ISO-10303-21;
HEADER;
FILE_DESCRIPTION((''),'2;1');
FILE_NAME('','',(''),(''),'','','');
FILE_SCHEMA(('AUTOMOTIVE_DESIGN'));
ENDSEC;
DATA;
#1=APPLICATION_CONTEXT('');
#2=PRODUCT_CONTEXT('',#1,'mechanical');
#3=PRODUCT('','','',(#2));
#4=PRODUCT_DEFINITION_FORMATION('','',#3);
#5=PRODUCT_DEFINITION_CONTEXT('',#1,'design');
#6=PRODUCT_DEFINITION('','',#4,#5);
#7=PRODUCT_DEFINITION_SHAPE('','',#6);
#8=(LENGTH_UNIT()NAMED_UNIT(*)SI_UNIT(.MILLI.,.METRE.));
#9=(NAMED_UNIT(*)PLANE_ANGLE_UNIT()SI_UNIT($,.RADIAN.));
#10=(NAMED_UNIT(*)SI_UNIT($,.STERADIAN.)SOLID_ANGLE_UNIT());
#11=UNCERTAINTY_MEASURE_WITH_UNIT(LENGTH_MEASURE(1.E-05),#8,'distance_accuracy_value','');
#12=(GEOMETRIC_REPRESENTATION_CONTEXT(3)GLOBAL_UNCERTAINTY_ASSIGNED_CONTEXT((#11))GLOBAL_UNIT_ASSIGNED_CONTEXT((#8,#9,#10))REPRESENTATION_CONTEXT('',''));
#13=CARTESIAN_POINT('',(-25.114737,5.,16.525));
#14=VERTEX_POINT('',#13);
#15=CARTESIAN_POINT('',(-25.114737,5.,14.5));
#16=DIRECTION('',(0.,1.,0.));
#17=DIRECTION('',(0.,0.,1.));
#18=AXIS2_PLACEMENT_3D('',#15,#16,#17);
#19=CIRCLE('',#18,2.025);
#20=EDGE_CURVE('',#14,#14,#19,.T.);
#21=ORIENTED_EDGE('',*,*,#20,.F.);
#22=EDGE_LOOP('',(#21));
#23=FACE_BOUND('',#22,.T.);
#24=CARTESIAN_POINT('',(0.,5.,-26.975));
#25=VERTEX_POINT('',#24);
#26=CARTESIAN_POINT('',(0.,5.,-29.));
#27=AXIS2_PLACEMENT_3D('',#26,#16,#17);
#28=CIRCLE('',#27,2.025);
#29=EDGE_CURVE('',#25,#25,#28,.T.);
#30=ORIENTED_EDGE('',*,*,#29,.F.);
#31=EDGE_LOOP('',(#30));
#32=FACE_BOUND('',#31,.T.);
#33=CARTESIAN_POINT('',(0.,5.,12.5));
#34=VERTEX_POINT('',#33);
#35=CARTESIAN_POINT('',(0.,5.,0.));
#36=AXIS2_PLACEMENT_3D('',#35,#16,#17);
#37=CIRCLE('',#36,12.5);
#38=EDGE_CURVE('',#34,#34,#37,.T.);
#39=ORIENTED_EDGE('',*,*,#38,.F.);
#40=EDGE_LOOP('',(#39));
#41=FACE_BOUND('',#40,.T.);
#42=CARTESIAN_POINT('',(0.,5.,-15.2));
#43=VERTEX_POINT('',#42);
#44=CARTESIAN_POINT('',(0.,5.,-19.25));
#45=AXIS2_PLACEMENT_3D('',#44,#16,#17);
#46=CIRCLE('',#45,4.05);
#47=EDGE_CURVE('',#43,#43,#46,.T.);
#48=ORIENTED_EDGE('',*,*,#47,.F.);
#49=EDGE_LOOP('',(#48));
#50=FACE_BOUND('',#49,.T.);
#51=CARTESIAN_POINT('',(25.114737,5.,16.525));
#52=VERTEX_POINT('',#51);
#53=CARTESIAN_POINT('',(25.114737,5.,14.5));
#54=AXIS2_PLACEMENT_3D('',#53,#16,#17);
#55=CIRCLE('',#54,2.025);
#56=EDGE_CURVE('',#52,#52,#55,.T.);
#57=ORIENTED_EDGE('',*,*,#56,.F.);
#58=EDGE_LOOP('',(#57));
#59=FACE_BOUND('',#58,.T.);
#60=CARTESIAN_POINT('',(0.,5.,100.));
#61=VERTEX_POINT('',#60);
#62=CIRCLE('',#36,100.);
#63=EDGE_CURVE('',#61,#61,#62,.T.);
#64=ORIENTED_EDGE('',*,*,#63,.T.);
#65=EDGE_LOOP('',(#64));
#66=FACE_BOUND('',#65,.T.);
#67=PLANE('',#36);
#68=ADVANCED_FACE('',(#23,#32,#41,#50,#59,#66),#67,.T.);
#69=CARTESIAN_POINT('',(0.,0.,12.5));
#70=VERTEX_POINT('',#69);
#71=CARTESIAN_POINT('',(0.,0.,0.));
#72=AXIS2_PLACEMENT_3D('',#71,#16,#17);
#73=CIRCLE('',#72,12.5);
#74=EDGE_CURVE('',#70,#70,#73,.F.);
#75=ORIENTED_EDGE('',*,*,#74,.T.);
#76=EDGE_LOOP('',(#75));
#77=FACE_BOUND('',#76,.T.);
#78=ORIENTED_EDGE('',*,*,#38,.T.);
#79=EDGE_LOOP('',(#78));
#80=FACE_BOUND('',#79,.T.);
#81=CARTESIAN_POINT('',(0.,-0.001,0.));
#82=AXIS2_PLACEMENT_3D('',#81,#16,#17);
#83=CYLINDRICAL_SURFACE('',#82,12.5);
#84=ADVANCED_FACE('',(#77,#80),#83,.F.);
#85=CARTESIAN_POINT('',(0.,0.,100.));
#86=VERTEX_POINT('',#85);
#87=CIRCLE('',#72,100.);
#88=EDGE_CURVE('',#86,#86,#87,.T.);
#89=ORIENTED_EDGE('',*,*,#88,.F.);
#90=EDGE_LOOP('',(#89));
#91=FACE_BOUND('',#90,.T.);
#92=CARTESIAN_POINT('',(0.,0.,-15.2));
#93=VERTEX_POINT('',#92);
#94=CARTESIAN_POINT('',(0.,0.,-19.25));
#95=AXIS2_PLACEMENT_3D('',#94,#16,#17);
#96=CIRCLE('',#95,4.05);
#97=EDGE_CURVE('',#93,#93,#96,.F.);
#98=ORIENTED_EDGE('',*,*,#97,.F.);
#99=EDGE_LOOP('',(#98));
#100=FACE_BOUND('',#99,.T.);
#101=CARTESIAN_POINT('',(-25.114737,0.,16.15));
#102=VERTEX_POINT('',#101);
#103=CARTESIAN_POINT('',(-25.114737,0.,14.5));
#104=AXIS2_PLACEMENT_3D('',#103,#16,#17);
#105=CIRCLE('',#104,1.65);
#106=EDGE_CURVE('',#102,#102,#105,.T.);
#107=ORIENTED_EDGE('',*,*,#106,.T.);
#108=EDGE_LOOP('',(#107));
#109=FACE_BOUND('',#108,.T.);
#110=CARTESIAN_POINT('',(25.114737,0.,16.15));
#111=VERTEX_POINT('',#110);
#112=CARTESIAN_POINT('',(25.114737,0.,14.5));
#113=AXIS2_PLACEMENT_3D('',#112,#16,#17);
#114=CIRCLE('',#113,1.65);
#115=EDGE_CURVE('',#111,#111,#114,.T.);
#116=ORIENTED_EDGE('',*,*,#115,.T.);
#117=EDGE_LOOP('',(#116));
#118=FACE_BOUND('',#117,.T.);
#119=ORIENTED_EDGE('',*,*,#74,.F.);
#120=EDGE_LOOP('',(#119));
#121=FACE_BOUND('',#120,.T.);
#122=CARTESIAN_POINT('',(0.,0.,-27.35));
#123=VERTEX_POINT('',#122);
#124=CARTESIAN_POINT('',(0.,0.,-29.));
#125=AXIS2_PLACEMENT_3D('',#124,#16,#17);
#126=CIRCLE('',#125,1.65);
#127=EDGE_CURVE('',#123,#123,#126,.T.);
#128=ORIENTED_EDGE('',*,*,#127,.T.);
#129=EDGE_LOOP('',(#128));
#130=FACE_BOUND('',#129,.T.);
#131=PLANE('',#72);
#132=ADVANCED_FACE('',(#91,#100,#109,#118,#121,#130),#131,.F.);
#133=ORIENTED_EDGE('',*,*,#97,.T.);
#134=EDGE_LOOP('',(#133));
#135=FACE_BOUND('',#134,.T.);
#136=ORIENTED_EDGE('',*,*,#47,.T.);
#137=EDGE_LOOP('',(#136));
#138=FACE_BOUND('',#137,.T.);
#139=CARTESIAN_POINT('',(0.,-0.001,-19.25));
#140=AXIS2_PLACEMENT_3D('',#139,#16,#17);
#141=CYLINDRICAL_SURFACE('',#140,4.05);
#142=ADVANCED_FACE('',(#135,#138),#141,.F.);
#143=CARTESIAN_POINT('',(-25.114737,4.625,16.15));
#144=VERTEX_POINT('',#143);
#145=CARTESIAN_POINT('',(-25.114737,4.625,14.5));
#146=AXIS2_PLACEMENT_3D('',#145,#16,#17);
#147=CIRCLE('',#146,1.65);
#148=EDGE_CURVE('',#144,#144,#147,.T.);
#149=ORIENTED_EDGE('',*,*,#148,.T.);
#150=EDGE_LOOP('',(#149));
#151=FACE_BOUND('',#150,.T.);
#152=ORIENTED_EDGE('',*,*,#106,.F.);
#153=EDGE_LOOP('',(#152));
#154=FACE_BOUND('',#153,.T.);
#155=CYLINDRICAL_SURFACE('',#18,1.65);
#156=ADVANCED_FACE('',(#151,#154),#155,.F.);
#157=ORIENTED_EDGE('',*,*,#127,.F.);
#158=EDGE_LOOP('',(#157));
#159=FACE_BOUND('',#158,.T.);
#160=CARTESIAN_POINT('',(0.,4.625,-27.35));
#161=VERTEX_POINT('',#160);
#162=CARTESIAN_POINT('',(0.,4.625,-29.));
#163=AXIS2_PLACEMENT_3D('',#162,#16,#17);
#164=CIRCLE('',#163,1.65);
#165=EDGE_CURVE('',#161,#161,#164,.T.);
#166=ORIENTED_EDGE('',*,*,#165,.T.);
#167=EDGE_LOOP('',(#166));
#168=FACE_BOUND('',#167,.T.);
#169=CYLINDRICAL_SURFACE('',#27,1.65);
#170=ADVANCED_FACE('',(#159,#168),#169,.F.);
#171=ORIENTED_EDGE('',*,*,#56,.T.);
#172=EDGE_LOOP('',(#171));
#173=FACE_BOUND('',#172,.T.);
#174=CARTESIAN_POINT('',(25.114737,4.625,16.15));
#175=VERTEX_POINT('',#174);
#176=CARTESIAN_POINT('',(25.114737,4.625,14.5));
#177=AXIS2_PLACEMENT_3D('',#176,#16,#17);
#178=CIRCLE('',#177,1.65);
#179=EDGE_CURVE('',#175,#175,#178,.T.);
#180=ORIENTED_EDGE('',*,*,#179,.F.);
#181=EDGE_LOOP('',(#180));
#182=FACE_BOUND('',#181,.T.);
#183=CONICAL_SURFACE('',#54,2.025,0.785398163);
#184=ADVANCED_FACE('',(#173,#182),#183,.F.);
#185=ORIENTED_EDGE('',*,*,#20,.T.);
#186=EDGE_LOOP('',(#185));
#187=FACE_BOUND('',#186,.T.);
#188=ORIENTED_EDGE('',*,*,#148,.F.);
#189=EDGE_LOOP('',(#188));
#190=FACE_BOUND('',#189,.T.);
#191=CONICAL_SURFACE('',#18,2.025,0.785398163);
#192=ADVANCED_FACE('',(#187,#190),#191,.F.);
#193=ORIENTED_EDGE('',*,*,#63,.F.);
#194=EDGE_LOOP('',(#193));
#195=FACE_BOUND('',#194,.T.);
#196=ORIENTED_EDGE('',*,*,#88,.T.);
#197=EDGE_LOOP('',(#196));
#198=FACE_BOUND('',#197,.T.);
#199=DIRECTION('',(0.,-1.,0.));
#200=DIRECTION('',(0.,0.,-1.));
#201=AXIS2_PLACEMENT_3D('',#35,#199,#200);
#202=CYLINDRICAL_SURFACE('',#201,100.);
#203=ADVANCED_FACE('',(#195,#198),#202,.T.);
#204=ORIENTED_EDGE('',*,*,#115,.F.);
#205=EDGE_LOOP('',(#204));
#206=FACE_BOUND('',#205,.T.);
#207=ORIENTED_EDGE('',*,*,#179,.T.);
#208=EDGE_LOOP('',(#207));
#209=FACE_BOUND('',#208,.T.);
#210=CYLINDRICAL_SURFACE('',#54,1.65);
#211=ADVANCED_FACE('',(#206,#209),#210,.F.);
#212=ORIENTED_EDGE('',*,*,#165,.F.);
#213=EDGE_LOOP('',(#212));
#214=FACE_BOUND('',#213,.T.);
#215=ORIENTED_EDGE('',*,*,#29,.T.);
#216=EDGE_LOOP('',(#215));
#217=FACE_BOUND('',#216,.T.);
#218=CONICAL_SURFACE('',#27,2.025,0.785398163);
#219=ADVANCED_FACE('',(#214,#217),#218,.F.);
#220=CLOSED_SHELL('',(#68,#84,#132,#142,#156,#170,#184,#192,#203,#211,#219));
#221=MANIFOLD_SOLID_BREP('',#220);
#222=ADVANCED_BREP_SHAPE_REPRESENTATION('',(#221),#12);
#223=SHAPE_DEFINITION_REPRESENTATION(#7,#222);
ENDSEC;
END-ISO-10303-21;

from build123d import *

# Parameters (mm, degrees)
SKETCH_1_R                   = 100
EXTRUDE_1_DEPTH              = 5
CUT_EXTRUDE_1_REACH          = 143.51
SKETCH_2_R                   = 12.5
SKETCH_2_R_2                 = 4.05
HOLE_WIZARD_M4_1_D           = 3.3
HOLE_WIZARD_M4_1_CSINK_D     = 4.05
HOLE_WIZARD_M4_1_CSINK_ANGLE = 90


with BuildPart() as part:
    # 草图1 → 凸台-拉伸1 (new body)
    with BuildSketch(Plane(origin=(0, 0, 0), x_dir=(1, 0, 0), z_dir=(0, 1, 0))):
        with Locations(Location((0, 0, 0), (0, 0, 270))):
            Circle(SKETCH_1_R)
    extrude(amount=EXTRUDE_1_DEPTH)

    # 草图2 → 切除-拉伸1 (cut, up to next)
    with BuildSketch(Plane(origin=(0, 5, 0), x_dir=(1, 0, 0), z_dir=(0, 1, 0)), mode=Mode.PRIVATE) as cut_extrude_1_sk1:
        with Locations(Location((0, 0, 0), (0, 0, 270))):
            Circle(SKETCH_2_R)
    cut_extrude_1_tool1 = extrude(cut_extrude_1_sk1.sketch, amount=-CUT_EXTRUDE_1_REACH, mode=Mode.PRIVATE) & part.part
    # 草图2 → 切除-拉伸1 (cut, up to next)
    with BuildSketch(Plane(origin=(0, 5, 0), x_dir=(1, 0, 0), z_dir=(0, 1, 0)), mode=Mode.PRIVATE) as cut_extrude_1_sk2:
        with Locations(Location((0, 19.25, 0), (0, 0, 270))):
            Circle(SKETCH_2_R_2)
    cut_extrude_1_tool2 = extrude(cut_extrude_1_sk2.sketch, amount=-CUT_EXTRUDE_1_REACH, mode=Mode.PRIVATE) & part.part
    add(cut_extrude_1_tool1.solids().sort_by_distance((0, 5, 0))[0], mode=Mode.SUBTRACT)
    add(cut_extrude_1_tool2.solids().sort_by_distance((0, 5, -19.25))[0], mode=Mode.SUBTRACT)

    # M4 螺纹孔1 (through all)
    with Locations(Plane(origin=(0, 5, 0), x_dir=(1, 0, 0), z_dir=(0, 1, 0))):
        with Locations((25.11473671, -14.5), (0, 29), (-25.11473671, -14.5)):
            CounterSinkHole(HOLE_WIZARD_M4_1_D / 2, HOLE_WIZARD_M4_1_CSINK_D / 2, counter_sink_angle=HOLE_WIZARD_M4_1_CSINK_ANGLE)


solid = part.part
